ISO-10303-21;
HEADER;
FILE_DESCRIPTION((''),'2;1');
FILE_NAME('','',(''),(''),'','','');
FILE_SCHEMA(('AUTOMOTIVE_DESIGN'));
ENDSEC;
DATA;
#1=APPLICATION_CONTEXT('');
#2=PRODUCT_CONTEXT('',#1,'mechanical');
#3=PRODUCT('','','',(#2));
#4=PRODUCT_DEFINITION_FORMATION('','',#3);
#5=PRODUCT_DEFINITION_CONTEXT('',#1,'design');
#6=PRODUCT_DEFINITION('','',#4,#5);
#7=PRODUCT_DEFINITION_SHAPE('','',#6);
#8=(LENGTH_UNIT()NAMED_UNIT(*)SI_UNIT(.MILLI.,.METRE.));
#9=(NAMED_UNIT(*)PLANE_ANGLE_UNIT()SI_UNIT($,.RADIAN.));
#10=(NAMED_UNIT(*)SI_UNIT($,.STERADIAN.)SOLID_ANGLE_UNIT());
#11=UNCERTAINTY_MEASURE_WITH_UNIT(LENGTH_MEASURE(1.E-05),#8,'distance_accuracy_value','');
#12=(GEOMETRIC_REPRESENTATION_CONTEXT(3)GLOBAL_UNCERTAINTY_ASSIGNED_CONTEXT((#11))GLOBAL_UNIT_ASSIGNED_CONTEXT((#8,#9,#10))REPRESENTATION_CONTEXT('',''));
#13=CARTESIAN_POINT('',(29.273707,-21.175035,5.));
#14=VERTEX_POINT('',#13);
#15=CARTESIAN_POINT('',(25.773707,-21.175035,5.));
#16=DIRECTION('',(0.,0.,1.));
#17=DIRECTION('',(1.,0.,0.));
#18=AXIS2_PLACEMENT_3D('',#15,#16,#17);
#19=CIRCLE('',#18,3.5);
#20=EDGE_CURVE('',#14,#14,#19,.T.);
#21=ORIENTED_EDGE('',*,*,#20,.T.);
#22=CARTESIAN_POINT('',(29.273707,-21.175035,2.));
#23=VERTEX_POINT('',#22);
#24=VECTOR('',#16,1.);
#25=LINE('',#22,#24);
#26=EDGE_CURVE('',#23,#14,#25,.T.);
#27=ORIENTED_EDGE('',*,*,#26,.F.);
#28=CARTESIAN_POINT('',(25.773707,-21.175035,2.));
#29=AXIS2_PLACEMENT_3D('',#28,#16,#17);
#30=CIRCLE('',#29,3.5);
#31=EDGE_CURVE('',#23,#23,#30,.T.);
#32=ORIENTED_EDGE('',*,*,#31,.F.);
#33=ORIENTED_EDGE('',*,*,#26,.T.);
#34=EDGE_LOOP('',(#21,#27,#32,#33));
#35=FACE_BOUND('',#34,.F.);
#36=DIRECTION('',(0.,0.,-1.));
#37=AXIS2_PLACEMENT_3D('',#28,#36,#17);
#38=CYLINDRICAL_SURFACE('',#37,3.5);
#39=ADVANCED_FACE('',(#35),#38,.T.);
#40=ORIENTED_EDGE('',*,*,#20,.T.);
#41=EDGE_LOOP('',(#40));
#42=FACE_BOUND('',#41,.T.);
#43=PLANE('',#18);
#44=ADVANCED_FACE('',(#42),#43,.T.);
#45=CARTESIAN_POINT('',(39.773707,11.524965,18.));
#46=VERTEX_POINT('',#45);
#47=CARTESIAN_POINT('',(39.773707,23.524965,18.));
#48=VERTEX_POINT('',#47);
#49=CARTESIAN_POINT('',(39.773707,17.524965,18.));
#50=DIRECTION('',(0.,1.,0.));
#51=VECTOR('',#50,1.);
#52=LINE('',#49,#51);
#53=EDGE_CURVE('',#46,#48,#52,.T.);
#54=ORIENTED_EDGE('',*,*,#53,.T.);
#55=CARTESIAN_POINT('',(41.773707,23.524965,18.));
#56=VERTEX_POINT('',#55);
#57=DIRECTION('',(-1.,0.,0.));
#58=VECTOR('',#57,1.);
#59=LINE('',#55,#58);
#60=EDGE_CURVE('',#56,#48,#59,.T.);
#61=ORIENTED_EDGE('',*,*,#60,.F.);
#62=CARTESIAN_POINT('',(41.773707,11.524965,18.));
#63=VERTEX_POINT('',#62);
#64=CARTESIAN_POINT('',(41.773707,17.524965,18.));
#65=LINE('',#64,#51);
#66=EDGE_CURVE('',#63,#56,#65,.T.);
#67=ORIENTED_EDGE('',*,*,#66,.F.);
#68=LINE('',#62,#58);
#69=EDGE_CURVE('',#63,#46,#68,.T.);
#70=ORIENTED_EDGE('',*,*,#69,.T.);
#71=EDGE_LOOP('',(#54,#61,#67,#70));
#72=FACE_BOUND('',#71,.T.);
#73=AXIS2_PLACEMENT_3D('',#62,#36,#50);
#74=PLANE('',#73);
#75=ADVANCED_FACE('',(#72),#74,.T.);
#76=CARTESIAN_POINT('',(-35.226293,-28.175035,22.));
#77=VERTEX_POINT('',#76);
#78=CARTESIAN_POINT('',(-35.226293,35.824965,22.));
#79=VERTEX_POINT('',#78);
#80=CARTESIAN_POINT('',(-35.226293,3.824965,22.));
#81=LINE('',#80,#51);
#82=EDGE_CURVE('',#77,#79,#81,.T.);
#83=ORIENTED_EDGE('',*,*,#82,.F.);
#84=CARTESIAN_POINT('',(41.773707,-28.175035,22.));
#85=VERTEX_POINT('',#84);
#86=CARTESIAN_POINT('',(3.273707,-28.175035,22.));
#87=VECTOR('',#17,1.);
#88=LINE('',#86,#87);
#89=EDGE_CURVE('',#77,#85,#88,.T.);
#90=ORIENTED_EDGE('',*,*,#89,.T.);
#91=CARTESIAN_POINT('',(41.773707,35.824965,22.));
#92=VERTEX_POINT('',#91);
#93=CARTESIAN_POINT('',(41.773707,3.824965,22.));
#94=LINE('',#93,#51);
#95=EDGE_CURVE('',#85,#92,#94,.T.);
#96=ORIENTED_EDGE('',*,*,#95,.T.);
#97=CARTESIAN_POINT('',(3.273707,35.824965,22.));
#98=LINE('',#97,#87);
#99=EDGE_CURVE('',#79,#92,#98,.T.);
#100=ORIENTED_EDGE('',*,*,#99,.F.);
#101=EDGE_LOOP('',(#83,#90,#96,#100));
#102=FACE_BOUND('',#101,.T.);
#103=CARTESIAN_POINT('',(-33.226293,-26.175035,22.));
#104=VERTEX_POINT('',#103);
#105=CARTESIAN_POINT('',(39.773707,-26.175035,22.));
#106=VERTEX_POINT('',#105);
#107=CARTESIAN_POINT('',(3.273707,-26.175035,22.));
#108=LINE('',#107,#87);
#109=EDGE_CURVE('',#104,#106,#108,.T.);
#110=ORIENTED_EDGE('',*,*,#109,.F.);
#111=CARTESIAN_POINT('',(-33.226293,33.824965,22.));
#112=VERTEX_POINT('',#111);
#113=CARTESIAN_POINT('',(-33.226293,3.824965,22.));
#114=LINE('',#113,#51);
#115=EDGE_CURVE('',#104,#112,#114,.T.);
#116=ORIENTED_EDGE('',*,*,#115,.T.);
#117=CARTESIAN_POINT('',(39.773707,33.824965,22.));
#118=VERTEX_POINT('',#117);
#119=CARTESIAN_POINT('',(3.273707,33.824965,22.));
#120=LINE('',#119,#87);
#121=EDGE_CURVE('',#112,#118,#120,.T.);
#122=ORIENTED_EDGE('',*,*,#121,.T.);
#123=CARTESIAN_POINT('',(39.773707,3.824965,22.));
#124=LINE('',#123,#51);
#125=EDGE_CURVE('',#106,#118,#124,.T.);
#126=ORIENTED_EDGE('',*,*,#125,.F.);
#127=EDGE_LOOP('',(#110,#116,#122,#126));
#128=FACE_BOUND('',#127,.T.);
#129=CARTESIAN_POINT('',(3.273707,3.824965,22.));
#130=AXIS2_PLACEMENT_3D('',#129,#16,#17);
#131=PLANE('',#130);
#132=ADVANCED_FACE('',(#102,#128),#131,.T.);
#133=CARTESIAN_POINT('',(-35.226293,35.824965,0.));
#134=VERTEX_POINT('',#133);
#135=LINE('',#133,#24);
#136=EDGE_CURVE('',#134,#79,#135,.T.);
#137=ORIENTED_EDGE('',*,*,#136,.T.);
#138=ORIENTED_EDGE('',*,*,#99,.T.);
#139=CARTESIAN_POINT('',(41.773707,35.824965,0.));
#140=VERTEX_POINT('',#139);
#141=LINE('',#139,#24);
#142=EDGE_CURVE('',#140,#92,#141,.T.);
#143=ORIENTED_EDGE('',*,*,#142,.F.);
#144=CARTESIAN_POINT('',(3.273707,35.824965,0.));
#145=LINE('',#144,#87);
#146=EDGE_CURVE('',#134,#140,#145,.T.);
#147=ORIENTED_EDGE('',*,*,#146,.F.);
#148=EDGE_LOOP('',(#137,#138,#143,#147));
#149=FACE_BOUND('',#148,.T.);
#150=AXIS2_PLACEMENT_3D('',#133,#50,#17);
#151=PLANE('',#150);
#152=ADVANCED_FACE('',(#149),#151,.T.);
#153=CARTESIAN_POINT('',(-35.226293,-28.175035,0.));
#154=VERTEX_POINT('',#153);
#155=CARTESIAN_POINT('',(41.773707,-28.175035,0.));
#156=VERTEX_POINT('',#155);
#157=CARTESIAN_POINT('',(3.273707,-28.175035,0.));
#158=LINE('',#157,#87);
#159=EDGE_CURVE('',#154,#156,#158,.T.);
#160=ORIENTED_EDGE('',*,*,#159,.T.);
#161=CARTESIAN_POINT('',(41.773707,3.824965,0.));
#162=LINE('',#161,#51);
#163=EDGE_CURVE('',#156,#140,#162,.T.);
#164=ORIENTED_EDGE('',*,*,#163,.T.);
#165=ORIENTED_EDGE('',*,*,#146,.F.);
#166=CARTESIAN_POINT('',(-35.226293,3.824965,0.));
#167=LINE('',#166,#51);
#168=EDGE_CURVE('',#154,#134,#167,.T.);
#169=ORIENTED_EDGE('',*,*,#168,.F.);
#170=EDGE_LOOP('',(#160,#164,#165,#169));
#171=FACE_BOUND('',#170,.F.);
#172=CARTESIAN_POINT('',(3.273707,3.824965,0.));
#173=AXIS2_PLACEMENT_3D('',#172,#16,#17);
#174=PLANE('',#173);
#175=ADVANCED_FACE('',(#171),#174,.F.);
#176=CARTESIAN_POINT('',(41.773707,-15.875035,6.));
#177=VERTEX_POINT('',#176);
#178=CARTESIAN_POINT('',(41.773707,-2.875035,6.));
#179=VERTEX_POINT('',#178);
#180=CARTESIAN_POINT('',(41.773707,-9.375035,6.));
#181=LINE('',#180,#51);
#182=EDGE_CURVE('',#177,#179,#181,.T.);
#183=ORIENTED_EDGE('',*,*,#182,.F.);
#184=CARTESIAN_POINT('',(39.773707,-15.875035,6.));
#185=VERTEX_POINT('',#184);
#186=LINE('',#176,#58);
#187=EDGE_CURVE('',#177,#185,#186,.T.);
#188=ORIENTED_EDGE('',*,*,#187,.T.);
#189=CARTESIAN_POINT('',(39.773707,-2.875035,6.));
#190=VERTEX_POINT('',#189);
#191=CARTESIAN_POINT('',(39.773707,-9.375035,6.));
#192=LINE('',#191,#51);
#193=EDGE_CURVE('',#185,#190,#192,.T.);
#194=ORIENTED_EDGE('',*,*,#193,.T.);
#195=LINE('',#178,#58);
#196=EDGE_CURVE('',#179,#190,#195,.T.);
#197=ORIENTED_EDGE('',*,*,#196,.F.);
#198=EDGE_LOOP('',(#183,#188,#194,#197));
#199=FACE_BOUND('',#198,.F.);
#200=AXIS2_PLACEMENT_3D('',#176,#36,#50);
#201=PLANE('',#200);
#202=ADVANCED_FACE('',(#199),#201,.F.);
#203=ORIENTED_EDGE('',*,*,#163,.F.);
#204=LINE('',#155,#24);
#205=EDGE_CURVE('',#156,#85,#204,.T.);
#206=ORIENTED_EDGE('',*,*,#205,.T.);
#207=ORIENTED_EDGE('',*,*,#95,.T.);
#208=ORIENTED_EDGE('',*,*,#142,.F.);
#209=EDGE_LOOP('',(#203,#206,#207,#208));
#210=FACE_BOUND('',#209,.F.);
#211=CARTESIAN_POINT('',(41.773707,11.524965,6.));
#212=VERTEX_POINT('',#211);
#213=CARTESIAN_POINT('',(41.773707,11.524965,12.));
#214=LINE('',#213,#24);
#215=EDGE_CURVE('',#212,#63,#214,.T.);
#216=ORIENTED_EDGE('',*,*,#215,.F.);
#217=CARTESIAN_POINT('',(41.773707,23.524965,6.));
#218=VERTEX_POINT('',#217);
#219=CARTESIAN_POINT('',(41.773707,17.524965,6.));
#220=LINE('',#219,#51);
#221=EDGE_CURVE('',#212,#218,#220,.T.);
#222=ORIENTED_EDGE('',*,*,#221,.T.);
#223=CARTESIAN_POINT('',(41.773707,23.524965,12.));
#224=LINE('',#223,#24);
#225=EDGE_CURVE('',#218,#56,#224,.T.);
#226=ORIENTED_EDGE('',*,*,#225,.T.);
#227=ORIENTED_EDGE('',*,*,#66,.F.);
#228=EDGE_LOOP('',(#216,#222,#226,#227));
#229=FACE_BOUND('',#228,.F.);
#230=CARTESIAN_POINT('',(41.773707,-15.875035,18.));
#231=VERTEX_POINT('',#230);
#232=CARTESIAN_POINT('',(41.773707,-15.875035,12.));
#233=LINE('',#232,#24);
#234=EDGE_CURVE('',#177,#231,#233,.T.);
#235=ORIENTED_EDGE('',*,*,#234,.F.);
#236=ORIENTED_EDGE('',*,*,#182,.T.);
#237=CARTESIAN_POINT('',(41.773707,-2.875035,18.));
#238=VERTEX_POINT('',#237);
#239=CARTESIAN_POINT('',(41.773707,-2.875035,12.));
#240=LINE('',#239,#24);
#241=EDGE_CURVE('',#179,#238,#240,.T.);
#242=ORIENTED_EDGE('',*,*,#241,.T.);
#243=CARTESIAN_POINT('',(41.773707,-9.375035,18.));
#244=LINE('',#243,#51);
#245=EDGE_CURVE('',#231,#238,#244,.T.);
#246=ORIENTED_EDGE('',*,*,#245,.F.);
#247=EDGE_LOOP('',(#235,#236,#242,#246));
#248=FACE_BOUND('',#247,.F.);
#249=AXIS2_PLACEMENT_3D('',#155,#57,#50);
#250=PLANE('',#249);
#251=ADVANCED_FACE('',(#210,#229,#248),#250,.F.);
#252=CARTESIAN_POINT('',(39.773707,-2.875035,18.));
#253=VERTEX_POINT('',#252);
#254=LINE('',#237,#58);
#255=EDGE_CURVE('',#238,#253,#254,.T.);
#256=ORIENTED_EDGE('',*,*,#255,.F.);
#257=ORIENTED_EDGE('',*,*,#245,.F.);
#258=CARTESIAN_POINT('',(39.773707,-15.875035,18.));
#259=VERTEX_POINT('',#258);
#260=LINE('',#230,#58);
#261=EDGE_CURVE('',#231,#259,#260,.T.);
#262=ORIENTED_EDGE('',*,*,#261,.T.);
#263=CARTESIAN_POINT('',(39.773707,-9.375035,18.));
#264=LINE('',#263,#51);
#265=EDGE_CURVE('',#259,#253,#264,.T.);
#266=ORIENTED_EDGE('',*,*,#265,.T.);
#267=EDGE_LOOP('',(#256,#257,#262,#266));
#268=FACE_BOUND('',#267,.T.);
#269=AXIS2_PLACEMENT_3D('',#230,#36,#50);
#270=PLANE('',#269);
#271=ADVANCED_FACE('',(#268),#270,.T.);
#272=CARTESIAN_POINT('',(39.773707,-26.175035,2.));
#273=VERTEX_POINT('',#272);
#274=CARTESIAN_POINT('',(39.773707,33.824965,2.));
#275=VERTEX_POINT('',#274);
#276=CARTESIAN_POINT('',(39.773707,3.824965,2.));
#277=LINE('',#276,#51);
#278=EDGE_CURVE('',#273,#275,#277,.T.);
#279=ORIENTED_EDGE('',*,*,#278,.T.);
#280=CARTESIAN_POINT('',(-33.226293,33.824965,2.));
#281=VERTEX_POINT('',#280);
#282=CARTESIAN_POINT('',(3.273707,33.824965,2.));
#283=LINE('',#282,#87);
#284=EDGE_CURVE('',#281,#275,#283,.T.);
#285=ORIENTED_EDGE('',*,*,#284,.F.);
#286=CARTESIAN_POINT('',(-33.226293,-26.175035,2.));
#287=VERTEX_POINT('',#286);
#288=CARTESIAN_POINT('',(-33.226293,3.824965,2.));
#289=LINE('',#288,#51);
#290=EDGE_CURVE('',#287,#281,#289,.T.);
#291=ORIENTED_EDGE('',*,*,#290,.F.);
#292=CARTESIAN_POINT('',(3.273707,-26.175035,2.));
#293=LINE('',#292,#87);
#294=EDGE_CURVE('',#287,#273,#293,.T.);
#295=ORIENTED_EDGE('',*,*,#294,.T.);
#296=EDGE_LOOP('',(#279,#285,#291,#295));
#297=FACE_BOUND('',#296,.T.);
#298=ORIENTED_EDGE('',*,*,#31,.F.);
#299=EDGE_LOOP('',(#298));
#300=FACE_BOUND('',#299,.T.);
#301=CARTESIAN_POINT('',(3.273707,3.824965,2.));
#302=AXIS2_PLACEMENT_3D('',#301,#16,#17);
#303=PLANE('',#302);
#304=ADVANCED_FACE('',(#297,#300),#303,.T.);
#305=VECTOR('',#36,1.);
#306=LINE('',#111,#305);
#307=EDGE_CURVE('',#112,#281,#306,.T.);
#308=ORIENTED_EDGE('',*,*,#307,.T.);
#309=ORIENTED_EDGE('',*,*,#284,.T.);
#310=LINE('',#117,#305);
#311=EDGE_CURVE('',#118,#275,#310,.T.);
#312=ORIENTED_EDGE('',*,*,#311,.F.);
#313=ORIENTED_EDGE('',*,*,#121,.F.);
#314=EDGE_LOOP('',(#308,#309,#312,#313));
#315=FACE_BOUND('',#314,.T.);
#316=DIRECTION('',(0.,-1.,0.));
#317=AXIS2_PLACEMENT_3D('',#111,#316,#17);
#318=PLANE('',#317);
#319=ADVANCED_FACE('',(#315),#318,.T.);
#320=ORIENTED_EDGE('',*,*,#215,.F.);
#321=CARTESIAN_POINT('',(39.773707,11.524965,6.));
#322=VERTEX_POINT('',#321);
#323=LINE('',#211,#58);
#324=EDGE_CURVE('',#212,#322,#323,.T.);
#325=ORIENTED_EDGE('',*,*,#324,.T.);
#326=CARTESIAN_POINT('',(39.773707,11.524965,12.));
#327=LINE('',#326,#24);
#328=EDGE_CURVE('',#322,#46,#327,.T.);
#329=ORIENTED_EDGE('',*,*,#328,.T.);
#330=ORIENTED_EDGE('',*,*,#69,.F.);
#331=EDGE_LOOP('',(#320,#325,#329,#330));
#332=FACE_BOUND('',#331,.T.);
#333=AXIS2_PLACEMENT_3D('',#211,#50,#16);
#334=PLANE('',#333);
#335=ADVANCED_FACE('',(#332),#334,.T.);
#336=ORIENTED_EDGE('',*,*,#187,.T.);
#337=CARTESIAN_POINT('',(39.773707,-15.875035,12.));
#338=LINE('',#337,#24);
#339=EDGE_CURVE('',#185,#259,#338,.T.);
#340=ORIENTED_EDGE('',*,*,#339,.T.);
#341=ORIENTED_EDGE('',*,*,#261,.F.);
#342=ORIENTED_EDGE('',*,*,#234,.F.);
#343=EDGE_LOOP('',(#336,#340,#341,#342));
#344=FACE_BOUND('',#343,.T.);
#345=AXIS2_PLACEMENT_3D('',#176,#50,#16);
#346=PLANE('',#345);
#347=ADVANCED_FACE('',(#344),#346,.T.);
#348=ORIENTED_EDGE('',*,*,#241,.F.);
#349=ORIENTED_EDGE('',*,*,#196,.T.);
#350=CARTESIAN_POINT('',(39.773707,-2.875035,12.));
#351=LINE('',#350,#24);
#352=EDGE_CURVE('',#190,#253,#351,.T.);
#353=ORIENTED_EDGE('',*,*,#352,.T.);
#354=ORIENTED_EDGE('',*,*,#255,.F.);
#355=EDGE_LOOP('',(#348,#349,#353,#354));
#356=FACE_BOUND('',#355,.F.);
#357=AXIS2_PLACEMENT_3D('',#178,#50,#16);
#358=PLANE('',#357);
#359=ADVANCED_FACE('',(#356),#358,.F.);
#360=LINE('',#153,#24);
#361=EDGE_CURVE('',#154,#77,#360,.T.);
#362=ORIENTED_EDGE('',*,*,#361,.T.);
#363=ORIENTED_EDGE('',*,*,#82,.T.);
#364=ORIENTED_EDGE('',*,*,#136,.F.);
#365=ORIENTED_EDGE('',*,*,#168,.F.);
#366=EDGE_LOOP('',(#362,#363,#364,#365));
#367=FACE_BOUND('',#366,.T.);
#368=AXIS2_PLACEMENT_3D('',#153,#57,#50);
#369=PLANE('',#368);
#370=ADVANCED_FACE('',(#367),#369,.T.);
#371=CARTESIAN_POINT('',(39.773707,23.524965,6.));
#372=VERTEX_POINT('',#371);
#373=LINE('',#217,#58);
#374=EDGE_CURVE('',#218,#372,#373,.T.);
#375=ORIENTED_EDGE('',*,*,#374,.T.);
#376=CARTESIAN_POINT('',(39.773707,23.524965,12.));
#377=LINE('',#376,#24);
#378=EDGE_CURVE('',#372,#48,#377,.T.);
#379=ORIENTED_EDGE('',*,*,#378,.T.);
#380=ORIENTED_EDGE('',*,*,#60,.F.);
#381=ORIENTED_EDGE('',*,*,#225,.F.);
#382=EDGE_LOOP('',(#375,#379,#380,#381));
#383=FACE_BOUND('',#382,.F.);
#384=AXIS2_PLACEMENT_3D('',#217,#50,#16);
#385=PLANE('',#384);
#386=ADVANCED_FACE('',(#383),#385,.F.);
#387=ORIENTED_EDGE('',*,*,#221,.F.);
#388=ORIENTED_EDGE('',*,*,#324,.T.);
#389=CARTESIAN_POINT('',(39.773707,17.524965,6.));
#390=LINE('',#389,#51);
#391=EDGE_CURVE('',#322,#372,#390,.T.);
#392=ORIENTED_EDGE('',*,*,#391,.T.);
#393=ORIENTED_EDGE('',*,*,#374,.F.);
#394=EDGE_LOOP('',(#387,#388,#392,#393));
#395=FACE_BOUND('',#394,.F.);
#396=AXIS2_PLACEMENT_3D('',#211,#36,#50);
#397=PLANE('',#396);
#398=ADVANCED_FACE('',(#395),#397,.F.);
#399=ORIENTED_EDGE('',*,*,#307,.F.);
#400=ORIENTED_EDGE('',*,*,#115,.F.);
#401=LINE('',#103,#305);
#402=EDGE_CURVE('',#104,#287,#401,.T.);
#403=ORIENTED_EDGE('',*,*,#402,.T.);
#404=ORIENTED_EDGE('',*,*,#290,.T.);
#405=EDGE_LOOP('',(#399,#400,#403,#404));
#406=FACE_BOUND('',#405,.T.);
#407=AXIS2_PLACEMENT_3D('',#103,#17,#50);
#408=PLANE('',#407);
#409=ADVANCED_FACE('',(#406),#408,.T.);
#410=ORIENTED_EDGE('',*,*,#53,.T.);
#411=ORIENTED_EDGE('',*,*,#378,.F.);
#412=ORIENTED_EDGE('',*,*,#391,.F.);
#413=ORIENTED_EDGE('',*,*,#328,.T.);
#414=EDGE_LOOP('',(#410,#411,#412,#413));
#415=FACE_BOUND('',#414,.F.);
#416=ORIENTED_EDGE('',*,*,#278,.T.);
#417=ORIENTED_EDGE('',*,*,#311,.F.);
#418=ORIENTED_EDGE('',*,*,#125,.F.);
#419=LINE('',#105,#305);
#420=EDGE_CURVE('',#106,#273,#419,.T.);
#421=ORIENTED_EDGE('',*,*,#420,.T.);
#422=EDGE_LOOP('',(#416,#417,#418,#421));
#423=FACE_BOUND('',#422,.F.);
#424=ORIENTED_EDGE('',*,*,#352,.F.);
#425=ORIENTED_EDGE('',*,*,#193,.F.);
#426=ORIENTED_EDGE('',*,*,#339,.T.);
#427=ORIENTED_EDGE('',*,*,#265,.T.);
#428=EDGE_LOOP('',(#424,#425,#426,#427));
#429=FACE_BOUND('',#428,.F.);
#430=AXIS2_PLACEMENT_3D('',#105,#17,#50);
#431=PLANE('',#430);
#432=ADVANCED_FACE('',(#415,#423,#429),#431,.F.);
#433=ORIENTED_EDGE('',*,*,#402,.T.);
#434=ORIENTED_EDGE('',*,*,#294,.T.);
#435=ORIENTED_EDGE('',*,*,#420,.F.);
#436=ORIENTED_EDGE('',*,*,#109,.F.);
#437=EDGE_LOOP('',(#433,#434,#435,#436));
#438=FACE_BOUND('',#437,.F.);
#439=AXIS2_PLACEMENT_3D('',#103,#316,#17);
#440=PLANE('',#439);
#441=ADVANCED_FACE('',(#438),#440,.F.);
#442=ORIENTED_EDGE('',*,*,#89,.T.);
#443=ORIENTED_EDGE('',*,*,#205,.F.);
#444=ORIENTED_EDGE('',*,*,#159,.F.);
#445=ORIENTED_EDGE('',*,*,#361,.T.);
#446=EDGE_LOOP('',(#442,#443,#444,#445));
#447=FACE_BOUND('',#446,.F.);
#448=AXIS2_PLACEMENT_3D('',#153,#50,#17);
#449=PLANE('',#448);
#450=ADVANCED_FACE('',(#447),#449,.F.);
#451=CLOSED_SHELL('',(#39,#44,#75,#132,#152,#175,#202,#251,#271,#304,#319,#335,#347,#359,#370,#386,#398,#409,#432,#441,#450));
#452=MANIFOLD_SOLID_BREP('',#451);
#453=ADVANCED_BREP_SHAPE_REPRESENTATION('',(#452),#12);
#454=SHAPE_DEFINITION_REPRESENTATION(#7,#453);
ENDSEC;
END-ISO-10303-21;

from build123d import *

# Parameters (mm, degrees)
F2_W      = 77
F2_H      = 64
F3_DEPTH  = 22
F4_W      = 73
F4_H      = 60
F5_DEPTH  = 20
F6_W      = 13
F6_H      = 12
F8_DEPTH  = 2
F7_W      = 12
F7_H      = 12
F9_DEPTH  = 2
F10_R     = 3.5
F11_DEPTH = 3


with BuildPart() as f3:
    # F2 (on Top) → F3 (new body)
    with BuildSketch(Plane.XY):
        with Locations((3.2737072408, 3.8249654726)):
            Rectangle(F2_W, F2_H)
    extrude(amount=F3_DEPTH)

    # F4 (on face) → F5 (cut)
    with BuildSketch(Plane.XY.offset(22)):
        with Locations((3.2737072408, 3.8249654726)):
            Rectangle(F4_W, F4_H)
    extrude(amount=-F5_DEPTH, mode=Mode.SUBTRACT)

    # F6 (on face) → F8 (cut)
    with BuildSketch(Plane.YZ.offset(41.7737072408)):
        with Locations((-9.3750345274, 12)):
            Rectangle(F6_W, F6_H)
    extrude(amount=-F8_DEPTH, mode=Mode.SUBTRACT)

    # F7 (on face) → F9 (cut)
    with BuildSketch(Plane.YZ.offset(41.7737072408)):
        with Locations((17.5249654726, 12)):
            Rectangle(F7_W, F7_H)
    extrude(amount=-F9_DEPTH, mode=Mode.SUBTRACT)

    # F10 (on face) → F11 (join)
    with BuildSketch(Plane.XY.offset(2)):
        with Locations((25.7737072408, -21.1750345274)):
            Circle(F10_R)
    extrude(amount=F11_DEPTH)


solid = f3.part
